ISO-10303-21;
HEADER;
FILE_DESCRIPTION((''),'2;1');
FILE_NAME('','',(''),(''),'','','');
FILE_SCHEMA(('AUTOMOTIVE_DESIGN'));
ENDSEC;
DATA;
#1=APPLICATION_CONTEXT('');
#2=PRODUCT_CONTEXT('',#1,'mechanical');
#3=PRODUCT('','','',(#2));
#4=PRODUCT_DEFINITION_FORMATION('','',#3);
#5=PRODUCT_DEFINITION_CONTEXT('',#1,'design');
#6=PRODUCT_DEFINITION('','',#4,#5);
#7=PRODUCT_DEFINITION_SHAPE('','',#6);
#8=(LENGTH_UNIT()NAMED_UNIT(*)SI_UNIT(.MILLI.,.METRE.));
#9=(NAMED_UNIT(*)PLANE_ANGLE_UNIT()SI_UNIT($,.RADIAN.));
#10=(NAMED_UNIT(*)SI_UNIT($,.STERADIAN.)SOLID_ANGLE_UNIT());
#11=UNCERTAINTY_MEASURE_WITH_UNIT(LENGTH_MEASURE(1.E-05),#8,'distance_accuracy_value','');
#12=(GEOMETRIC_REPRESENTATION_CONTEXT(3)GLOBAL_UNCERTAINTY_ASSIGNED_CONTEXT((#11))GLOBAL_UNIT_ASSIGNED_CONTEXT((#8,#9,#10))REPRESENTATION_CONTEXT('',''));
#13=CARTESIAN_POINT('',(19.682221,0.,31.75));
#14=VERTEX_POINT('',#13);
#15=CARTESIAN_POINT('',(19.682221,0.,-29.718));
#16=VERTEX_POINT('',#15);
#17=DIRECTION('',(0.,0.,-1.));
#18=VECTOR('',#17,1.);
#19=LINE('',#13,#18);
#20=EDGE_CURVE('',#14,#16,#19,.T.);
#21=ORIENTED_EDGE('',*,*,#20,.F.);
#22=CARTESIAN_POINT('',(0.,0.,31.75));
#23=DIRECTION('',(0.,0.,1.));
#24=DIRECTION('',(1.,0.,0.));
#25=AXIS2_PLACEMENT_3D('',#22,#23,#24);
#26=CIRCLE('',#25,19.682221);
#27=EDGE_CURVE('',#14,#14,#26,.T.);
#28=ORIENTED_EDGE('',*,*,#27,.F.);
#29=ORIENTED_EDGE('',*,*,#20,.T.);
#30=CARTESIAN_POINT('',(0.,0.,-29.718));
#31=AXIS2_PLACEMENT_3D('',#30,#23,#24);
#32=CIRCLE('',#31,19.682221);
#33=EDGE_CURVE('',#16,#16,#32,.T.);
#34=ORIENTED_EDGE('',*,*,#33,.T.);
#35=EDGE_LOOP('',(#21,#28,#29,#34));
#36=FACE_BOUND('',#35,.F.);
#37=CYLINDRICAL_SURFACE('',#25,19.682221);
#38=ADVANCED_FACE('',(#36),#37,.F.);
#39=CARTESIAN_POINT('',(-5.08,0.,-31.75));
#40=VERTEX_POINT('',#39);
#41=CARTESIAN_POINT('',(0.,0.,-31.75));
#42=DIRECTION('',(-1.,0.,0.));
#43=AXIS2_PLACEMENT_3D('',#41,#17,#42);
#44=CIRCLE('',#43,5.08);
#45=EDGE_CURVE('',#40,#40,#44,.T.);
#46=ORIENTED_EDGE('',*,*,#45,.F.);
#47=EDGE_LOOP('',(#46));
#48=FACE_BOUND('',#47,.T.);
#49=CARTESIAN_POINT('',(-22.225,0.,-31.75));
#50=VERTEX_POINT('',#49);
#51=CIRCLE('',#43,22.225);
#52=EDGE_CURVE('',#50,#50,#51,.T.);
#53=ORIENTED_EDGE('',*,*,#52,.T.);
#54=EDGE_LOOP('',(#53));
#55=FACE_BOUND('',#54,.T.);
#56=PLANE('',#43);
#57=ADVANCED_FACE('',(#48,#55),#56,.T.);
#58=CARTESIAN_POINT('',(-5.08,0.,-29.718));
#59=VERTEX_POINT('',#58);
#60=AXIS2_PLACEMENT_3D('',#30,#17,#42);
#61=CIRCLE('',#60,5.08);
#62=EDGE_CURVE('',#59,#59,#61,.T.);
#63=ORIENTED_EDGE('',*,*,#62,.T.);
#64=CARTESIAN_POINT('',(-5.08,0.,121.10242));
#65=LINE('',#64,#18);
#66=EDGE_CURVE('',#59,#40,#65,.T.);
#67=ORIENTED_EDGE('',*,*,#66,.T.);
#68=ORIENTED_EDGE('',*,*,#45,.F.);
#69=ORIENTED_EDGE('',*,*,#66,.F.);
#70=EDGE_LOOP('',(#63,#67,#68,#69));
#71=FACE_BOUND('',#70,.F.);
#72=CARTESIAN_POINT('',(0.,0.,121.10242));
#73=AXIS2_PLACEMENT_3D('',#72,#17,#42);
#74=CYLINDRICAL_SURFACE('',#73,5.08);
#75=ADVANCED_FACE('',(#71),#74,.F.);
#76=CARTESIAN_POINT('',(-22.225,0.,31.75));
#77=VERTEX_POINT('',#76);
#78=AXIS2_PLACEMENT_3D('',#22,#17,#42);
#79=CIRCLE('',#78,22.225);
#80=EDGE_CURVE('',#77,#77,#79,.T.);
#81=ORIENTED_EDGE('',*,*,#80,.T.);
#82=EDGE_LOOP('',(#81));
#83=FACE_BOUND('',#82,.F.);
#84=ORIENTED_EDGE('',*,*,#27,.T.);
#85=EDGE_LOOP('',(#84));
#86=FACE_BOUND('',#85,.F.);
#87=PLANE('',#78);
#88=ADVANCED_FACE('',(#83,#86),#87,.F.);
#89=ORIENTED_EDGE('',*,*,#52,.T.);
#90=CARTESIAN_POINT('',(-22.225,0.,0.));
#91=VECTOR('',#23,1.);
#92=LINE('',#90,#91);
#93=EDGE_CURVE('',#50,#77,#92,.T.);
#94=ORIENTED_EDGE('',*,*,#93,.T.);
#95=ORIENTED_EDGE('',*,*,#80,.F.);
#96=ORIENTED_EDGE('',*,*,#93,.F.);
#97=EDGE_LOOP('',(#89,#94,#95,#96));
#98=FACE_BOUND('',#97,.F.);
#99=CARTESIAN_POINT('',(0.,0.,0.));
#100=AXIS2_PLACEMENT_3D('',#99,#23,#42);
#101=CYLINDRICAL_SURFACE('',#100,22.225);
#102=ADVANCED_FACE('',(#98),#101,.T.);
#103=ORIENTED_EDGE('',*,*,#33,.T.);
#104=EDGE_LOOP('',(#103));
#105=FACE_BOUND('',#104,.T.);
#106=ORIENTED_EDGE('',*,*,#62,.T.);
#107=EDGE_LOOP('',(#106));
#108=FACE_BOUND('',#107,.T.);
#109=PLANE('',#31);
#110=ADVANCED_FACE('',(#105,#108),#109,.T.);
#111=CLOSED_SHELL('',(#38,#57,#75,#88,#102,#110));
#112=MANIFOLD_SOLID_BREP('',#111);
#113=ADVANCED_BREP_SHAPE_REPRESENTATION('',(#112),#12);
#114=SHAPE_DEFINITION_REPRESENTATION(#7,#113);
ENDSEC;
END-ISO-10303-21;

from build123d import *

# Parameters (mm, degrees)
F0_W     = 22.225
F0_H     = 63.5
F3_D     = 10.16
F2_R     = 19.682221
F4_DEPTH = 61.468


with BuildPart() as f1:
    # F0 (on Front) → F1 (revolve)
    with BuildSketch(Plane.XZ):
        with Locations((-11.1125, 0)):
            Rectangle(F0_W, F0_H)
    revolve(axis=Axis((0, 0, 0), (0, 0, -1)))

    # F3 (through all)
    with Locations(Plane.XY.offset(31.75)):
        with Locations((0, 0)):
            Hole(F3_D / 2)

    # F2 (on face) → F4 (cut)
    with BuildSketch(Plane.XY.offset(31.75)):
        Circle(F2_R)
    extrude(amount=-F4_DEPTH, mode=Mode.SUBTRACT)


solid = f1.part
